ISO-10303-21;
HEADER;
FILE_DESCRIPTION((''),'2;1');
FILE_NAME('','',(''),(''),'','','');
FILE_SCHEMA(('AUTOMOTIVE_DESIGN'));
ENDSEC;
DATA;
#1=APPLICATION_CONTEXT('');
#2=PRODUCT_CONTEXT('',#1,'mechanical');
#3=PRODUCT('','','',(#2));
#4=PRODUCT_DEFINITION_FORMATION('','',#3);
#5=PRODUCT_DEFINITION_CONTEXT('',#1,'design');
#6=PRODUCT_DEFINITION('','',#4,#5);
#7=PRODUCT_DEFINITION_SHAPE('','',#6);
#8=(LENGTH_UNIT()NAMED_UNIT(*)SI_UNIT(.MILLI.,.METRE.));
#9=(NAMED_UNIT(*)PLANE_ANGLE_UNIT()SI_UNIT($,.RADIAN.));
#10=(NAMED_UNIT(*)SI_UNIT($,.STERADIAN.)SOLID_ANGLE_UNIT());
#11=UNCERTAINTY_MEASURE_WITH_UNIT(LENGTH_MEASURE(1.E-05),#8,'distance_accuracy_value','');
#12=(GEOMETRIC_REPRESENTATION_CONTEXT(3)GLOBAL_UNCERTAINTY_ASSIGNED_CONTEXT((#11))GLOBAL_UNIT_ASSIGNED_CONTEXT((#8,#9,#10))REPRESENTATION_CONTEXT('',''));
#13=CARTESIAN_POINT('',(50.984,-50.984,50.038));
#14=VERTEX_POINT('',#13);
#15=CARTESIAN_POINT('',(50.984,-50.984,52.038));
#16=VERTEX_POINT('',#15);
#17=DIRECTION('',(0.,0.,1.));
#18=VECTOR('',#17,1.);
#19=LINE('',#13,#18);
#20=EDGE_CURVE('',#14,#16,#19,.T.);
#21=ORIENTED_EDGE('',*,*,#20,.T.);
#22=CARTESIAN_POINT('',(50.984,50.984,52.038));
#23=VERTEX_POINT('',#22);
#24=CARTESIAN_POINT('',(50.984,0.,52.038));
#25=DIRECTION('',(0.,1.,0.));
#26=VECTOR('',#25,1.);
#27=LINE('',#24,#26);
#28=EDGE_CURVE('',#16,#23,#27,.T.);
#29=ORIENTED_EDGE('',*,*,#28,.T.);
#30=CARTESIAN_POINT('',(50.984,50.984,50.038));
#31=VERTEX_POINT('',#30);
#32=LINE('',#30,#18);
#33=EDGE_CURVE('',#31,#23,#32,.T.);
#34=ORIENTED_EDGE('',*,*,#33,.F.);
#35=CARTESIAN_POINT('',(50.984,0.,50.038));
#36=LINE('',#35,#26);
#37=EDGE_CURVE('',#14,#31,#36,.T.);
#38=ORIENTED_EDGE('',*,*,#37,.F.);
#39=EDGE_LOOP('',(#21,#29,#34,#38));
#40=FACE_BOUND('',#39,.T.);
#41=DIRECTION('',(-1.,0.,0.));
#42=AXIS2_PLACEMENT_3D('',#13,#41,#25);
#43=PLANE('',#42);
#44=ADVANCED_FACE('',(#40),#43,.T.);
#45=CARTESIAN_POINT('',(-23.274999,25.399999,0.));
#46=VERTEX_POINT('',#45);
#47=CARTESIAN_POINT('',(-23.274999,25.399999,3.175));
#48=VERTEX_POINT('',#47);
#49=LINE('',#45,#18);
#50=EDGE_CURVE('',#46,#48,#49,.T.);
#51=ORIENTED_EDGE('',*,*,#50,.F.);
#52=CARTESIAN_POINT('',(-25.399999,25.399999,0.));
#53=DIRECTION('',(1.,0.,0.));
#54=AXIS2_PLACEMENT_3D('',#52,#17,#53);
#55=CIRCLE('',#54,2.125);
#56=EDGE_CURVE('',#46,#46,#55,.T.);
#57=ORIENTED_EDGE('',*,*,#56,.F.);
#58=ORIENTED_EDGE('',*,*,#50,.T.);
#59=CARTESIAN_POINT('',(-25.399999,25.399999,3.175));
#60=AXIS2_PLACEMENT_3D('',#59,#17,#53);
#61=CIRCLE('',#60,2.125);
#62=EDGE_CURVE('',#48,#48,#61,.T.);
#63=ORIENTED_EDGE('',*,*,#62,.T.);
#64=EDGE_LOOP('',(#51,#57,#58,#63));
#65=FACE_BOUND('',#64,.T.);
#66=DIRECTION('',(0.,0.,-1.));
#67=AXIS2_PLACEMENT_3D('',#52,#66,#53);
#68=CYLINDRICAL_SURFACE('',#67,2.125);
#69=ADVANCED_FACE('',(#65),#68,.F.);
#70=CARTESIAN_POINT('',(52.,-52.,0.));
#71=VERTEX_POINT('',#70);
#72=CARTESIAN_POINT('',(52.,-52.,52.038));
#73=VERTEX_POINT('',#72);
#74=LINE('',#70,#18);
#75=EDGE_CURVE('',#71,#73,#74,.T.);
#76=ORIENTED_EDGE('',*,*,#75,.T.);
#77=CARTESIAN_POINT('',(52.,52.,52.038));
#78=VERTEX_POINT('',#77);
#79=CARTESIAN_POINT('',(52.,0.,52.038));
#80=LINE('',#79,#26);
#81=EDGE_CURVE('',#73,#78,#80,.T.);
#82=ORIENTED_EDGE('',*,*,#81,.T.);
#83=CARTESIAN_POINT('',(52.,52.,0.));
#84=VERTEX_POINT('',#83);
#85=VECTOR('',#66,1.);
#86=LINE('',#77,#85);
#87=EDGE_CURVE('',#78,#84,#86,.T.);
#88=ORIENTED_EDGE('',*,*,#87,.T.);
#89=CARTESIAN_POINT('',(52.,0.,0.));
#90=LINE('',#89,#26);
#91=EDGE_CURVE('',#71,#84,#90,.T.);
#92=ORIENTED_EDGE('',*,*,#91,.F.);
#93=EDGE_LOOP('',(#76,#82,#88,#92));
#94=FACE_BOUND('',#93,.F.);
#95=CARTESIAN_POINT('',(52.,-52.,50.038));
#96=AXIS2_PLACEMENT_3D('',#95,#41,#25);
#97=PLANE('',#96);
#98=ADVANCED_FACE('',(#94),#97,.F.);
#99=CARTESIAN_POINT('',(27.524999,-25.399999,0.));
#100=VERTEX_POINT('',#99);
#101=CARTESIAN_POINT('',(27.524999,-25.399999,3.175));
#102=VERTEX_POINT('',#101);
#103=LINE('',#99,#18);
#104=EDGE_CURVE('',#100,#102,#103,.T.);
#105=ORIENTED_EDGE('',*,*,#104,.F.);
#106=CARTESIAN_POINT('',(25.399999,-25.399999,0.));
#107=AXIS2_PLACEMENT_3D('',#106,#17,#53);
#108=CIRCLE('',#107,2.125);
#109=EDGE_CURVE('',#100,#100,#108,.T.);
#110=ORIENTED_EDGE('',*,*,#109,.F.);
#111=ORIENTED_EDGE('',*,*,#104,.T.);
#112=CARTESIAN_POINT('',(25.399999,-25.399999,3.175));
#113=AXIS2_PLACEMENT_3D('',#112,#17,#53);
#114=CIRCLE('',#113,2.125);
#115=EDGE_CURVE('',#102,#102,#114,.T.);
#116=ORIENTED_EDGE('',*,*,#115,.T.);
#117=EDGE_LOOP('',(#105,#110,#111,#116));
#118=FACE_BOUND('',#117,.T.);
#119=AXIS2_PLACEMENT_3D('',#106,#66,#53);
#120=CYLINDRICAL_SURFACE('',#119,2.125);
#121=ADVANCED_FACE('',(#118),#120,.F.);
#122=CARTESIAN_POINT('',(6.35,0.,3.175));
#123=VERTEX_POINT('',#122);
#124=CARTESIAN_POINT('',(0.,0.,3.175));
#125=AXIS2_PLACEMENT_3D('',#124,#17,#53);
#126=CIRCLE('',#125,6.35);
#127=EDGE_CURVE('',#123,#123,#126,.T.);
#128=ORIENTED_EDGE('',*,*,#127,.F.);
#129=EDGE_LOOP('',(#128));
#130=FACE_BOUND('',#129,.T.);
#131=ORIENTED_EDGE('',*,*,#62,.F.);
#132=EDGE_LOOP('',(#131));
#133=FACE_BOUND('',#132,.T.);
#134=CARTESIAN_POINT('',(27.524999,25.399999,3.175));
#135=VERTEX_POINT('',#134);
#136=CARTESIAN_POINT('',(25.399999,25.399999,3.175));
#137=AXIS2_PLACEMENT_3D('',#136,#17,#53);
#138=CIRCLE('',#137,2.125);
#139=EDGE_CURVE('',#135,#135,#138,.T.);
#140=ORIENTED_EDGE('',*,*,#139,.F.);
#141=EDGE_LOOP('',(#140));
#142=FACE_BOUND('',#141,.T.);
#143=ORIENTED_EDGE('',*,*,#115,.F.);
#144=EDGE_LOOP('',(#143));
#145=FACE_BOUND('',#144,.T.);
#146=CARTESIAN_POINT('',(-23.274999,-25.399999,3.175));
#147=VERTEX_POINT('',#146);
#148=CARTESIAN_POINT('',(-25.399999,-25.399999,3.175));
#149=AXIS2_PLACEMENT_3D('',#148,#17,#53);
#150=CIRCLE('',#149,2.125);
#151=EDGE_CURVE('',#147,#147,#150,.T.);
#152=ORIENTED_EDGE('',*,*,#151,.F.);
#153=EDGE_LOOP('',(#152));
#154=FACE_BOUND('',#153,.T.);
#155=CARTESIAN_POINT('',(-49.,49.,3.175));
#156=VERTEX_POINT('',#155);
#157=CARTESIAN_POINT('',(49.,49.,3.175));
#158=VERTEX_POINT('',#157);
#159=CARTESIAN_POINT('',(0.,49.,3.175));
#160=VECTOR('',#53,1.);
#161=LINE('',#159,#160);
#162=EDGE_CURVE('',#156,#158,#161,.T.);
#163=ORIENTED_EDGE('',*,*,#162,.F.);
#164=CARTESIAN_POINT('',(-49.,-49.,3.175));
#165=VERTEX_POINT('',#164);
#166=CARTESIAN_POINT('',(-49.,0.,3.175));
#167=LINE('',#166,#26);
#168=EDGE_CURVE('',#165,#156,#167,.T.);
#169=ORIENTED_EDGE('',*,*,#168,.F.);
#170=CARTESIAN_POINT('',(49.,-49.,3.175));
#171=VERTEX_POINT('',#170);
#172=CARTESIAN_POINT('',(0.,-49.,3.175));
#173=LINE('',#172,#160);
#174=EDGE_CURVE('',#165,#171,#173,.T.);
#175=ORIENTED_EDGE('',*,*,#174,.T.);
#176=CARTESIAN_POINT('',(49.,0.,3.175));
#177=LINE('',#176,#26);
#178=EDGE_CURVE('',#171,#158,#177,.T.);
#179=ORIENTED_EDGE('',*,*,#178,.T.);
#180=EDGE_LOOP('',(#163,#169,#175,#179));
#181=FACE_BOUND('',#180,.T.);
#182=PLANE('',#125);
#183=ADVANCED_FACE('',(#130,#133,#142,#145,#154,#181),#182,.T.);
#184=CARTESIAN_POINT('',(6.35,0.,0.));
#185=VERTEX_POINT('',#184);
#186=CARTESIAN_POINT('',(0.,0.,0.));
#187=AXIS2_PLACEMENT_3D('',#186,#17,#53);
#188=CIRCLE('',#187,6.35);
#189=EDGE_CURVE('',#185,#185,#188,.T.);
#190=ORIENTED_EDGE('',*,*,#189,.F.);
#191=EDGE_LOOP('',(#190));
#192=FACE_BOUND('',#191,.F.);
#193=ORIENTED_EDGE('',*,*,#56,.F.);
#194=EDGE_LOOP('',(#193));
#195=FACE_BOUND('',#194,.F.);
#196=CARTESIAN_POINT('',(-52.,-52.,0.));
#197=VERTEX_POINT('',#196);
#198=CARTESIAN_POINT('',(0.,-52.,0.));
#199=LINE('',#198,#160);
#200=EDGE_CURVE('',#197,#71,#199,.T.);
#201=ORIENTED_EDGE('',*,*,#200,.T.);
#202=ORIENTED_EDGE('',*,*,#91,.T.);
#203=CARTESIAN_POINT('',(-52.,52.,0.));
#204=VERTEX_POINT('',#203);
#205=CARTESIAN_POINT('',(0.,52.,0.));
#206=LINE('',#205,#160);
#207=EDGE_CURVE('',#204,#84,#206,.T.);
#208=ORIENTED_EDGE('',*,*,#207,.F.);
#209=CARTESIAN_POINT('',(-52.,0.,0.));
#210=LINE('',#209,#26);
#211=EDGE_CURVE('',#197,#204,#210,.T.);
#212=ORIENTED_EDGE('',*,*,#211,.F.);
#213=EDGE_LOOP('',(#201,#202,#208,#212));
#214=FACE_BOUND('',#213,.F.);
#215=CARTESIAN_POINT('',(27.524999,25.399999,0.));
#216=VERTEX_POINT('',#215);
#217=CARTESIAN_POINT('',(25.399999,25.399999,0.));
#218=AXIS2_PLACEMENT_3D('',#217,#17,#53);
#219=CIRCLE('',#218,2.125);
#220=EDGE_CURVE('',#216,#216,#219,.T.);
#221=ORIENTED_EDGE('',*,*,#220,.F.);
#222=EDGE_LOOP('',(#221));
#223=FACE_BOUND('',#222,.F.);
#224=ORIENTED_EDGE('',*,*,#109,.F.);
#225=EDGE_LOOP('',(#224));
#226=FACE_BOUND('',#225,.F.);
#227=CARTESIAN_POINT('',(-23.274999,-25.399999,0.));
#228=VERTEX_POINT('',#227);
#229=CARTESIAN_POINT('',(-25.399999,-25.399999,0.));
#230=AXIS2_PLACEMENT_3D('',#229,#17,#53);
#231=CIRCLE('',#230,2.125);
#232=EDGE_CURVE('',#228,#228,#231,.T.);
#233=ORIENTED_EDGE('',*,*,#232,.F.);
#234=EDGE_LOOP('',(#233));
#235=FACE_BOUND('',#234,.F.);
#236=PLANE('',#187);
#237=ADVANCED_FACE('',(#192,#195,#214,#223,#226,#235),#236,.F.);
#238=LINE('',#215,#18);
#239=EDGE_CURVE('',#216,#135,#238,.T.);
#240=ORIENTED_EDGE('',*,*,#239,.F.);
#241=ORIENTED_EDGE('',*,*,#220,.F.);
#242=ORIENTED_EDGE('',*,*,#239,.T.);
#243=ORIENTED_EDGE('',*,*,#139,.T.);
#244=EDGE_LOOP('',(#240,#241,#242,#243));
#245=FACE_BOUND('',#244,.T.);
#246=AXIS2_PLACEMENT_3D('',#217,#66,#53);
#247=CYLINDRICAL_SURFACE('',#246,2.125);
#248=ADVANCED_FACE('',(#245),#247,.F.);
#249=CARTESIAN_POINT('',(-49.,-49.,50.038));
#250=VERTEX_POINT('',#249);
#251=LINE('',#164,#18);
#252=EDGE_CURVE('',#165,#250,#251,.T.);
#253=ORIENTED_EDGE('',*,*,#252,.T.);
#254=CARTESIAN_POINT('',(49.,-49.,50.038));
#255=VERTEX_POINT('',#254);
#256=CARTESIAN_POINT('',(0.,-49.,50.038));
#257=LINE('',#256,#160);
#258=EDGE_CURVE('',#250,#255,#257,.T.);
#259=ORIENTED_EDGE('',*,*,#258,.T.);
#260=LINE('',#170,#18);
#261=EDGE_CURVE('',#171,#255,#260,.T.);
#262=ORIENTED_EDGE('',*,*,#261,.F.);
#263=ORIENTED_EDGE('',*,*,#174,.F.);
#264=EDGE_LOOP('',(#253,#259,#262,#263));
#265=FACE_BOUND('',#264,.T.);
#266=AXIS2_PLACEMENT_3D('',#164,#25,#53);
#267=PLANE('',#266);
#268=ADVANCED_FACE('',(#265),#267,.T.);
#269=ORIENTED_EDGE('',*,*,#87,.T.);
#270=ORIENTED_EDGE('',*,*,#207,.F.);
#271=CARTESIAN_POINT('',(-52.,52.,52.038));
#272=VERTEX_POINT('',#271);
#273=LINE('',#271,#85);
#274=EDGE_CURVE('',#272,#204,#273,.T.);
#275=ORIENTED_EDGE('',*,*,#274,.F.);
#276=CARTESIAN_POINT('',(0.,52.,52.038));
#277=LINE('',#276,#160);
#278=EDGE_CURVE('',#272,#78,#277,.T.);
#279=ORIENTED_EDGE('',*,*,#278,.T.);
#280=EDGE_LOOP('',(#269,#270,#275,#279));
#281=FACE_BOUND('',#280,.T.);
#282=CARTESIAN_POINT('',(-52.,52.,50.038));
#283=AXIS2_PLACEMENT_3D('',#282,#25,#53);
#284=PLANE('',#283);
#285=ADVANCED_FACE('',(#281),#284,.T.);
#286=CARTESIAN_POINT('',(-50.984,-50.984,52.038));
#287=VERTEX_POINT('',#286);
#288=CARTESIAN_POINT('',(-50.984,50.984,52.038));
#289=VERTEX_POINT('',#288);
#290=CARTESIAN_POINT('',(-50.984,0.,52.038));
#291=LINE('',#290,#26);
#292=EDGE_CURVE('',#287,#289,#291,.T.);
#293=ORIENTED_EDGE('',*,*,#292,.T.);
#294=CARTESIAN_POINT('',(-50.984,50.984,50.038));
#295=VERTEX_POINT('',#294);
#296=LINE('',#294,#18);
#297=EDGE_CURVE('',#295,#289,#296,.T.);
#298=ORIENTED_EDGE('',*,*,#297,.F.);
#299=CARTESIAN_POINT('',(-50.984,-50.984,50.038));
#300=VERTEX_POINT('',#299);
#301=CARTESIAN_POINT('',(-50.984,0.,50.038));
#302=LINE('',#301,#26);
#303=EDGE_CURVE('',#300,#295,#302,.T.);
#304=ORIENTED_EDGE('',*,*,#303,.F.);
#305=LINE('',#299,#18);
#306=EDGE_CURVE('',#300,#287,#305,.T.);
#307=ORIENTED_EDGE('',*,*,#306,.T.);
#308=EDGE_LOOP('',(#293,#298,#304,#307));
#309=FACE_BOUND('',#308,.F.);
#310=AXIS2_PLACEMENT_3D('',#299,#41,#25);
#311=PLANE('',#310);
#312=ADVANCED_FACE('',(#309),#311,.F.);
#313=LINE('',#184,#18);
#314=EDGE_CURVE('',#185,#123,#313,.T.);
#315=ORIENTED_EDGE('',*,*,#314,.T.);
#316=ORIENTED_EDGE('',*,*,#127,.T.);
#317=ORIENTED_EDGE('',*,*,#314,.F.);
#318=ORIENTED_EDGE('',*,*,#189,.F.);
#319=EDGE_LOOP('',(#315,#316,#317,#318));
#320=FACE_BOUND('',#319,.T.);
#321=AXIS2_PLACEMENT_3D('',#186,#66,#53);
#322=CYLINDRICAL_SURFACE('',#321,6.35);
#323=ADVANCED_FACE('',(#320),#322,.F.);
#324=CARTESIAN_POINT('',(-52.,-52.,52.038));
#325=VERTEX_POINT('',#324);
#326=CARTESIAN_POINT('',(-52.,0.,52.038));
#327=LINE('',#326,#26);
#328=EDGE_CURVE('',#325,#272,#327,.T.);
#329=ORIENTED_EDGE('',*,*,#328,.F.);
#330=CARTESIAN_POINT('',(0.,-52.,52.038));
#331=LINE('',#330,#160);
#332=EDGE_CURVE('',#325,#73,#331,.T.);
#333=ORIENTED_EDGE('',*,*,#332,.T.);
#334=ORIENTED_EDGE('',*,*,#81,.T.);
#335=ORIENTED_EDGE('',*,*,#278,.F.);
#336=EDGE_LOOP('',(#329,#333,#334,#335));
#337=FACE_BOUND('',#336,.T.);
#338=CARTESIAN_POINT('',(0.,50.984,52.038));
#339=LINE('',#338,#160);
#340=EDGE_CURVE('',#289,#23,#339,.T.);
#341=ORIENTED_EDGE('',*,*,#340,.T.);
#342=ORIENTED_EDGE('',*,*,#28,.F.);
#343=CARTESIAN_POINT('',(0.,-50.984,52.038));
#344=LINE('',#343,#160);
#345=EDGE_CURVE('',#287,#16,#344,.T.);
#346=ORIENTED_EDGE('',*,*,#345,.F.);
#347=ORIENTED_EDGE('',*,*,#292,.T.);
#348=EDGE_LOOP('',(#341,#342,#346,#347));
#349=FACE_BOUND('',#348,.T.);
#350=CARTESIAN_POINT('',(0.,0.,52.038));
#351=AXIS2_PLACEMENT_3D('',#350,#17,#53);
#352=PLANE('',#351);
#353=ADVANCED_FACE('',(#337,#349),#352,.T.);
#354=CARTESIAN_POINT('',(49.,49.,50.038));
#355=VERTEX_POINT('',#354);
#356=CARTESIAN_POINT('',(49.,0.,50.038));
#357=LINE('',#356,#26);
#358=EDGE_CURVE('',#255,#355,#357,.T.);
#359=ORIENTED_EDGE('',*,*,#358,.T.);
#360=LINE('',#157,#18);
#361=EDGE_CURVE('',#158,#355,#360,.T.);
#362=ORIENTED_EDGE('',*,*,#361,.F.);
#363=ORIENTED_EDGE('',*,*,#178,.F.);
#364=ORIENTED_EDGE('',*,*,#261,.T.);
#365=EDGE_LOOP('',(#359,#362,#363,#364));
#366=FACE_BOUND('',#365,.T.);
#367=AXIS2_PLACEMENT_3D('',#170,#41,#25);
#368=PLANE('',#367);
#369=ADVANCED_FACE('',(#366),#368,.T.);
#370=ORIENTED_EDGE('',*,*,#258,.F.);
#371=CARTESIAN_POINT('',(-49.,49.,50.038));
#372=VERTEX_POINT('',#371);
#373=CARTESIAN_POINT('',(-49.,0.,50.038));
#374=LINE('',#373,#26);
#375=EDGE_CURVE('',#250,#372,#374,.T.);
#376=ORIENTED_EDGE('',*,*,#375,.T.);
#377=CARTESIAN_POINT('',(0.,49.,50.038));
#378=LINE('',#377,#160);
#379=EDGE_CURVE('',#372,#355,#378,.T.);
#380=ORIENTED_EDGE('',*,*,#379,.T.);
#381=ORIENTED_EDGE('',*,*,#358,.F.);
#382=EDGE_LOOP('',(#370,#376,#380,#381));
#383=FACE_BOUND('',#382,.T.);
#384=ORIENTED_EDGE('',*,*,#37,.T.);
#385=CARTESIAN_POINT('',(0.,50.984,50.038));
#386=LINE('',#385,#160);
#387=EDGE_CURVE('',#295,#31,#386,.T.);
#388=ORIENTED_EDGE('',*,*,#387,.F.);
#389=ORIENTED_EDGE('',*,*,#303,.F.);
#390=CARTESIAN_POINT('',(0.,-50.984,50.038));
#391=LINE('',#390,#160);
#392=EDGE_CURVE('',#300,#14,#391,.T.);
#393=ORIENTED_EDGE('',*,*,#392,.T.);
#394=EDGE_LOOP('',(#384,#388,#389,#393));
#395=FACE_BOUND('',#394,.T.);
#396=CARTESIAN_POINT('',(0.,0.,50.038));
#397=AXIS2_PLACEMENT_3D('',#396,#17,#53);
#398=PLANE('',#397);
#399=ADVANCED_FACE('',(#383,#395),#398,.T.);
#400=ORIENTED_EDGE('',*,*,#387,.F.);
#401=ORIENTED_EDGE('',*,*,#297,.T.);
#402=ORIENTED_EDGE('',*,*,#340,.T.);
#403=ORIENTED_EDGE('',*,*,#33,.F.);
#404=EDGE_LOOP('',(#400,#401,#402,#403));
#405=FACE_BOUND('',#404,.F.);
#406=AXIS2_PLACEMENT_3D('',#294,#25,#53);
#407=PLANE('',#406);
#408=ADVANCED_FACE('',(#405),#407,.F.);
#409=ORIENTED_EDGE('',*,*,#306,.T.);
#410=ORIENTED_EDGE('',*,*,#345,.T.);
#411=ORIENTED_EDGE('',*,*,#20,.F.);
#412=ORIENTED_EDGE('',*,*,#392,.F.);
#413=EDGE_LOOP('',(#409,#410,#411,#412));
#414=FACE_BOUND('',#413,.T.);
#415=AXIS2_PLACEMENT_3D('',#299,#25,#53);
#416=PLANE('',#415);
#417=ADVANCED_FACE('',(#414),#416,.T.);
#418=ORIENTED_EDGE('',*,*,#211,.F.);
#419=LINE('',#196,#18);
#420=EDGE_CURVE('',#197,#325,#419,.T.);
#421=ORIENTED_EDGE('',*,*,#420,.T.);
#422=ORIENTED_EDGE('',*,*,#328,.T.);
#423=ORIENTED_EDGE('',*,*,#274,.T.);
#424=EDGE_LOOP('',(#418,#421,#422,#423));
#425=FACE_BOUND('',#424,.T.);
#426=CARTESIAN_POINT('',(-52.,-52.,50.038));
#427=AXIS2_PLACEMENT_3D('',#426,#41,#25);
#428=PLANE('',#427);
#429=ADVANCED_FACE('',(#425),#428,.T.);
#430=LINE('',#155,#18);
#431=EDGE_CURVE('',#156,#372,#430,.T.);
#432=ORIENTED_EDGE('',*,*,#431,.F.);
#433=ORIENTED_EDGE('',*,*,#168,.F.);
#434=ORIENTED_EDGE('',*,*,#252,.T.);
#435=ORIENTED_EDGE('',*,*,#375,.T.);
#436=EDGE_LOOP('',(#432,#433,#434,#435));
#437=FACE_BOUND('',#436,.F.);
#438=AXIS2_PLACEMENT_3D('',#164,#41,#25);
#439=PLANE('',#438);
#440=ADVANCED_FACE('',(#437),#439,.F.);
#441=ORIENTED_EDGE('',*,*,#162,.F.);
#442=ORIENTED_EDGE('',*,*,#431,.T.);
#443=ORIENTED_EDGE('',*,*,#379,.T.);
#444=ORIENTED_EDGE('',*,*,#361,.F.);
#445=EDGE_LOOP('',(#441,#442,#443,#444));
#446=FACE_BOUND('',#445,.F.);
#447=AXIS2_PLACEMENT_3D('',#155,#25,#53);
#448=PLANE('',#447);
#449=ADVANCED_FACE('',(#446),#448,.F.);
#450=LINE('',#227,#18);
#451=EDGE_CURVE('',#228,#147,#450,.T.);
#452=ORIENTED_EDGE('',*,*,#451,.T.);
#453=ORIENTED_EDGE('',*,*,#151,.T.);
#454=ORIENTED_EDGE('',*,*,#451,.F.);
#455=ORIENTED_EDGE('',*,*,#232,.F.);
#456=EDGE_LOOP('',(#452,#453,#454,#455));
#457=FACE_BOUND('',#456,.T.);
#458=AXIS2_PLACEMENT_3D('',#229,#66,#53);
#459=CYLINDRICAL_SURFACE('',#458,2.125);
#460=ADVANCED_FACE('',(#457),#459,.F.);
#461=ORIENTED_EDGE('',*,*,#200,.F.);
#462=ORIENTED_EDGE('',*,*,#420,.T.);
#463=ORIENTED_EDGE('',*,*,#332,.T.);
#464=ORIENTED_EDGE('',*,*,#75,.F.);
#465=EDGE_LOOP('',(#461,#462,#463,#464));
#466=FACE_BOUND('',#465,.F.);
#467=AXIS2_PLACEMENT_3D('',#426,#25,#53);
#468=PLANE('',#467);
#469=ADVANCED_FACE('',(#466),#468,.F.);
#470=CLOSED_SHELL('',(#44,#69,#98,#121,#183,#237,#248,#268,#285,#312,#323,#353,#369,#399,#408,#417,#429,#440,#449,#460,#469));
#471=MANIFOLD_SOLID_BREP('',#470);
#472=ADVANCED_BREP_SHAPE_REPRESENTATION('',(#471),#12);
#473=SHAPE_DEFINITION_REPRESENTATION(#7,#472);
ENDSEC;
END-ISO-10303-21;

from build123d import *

# Parameters (mm, degrees)
SKETCH_W      = 104
SKETCH_H      = 104
SKETCH_R      = 2.125
SKETCH_R_2    = 6.35
PAD_DEPTH     = 3.175
SKETCH003_W   = 104
SKETCH003_H   = 104
SKETCH003_W_2 = 98
SKETCH003_H_2 = 98
PAD002_DEPTH  = 46.863
SKETCH004_W   = 104
SKETCH004_H   = 104
SKETCH004_W_2 = 101.968
SKETCH004_H_2 = 101.968
PAD003_DEPTH  = 2


with BuildPart() as part:
    # Sketch → Pad (new body)
    with BuildSketch(Plane.XY):
        Rectangle(SKETCH_W, SKETCH_H)
        with Locations((-25.399999, 25.399999)):
            Circle(SKETCH_R, mode=Mode.SUBTRACT)
        with Locations((25.399999, 25.399999)):
            Circle(SKETCH_R, mode=Mode.SUBTRACT)
        with Locations((25.399999, -25.399999)):
            Circle(SKETCH_R, mode=Mode.SUBTRACT)
        with Locations((-25.399999, -25.399999)):
            Circle(SKETCH_R, mode=Mode.SUBTRACT)
        Circle(SKETCH_R_2, mode=Mode.SUBTRACT)
    extrude(amount=PAD_DEPTH)

    # Sketch003 (on Face11 of Pad) → Pad002 (join)
    with BuildSketch(Plane.XY.offset(3.175)):
        Rectangle(SKETCH003_W, SKETCH003_H)
        Rectangle(SKETCH003_W_2, SKETCH003_H_2, mode=Mode.SUBTRACT)
    extrude(amount=PAD002_DEPTH)

    # Sketch004 (on Face14 of Pad002) → Pad003 (join)
    with BuildSketch(Plane.XY.offset(50.038)):
        Rectangle(SKETCH004_W, SKETCH004_H)
        Rectangle(SKETCH004_W_2, SKETCH004_H_2, mode=Mode.SUBTRACT)
    extrude(amount=PAD003_DEPTH)


solid = part.part
